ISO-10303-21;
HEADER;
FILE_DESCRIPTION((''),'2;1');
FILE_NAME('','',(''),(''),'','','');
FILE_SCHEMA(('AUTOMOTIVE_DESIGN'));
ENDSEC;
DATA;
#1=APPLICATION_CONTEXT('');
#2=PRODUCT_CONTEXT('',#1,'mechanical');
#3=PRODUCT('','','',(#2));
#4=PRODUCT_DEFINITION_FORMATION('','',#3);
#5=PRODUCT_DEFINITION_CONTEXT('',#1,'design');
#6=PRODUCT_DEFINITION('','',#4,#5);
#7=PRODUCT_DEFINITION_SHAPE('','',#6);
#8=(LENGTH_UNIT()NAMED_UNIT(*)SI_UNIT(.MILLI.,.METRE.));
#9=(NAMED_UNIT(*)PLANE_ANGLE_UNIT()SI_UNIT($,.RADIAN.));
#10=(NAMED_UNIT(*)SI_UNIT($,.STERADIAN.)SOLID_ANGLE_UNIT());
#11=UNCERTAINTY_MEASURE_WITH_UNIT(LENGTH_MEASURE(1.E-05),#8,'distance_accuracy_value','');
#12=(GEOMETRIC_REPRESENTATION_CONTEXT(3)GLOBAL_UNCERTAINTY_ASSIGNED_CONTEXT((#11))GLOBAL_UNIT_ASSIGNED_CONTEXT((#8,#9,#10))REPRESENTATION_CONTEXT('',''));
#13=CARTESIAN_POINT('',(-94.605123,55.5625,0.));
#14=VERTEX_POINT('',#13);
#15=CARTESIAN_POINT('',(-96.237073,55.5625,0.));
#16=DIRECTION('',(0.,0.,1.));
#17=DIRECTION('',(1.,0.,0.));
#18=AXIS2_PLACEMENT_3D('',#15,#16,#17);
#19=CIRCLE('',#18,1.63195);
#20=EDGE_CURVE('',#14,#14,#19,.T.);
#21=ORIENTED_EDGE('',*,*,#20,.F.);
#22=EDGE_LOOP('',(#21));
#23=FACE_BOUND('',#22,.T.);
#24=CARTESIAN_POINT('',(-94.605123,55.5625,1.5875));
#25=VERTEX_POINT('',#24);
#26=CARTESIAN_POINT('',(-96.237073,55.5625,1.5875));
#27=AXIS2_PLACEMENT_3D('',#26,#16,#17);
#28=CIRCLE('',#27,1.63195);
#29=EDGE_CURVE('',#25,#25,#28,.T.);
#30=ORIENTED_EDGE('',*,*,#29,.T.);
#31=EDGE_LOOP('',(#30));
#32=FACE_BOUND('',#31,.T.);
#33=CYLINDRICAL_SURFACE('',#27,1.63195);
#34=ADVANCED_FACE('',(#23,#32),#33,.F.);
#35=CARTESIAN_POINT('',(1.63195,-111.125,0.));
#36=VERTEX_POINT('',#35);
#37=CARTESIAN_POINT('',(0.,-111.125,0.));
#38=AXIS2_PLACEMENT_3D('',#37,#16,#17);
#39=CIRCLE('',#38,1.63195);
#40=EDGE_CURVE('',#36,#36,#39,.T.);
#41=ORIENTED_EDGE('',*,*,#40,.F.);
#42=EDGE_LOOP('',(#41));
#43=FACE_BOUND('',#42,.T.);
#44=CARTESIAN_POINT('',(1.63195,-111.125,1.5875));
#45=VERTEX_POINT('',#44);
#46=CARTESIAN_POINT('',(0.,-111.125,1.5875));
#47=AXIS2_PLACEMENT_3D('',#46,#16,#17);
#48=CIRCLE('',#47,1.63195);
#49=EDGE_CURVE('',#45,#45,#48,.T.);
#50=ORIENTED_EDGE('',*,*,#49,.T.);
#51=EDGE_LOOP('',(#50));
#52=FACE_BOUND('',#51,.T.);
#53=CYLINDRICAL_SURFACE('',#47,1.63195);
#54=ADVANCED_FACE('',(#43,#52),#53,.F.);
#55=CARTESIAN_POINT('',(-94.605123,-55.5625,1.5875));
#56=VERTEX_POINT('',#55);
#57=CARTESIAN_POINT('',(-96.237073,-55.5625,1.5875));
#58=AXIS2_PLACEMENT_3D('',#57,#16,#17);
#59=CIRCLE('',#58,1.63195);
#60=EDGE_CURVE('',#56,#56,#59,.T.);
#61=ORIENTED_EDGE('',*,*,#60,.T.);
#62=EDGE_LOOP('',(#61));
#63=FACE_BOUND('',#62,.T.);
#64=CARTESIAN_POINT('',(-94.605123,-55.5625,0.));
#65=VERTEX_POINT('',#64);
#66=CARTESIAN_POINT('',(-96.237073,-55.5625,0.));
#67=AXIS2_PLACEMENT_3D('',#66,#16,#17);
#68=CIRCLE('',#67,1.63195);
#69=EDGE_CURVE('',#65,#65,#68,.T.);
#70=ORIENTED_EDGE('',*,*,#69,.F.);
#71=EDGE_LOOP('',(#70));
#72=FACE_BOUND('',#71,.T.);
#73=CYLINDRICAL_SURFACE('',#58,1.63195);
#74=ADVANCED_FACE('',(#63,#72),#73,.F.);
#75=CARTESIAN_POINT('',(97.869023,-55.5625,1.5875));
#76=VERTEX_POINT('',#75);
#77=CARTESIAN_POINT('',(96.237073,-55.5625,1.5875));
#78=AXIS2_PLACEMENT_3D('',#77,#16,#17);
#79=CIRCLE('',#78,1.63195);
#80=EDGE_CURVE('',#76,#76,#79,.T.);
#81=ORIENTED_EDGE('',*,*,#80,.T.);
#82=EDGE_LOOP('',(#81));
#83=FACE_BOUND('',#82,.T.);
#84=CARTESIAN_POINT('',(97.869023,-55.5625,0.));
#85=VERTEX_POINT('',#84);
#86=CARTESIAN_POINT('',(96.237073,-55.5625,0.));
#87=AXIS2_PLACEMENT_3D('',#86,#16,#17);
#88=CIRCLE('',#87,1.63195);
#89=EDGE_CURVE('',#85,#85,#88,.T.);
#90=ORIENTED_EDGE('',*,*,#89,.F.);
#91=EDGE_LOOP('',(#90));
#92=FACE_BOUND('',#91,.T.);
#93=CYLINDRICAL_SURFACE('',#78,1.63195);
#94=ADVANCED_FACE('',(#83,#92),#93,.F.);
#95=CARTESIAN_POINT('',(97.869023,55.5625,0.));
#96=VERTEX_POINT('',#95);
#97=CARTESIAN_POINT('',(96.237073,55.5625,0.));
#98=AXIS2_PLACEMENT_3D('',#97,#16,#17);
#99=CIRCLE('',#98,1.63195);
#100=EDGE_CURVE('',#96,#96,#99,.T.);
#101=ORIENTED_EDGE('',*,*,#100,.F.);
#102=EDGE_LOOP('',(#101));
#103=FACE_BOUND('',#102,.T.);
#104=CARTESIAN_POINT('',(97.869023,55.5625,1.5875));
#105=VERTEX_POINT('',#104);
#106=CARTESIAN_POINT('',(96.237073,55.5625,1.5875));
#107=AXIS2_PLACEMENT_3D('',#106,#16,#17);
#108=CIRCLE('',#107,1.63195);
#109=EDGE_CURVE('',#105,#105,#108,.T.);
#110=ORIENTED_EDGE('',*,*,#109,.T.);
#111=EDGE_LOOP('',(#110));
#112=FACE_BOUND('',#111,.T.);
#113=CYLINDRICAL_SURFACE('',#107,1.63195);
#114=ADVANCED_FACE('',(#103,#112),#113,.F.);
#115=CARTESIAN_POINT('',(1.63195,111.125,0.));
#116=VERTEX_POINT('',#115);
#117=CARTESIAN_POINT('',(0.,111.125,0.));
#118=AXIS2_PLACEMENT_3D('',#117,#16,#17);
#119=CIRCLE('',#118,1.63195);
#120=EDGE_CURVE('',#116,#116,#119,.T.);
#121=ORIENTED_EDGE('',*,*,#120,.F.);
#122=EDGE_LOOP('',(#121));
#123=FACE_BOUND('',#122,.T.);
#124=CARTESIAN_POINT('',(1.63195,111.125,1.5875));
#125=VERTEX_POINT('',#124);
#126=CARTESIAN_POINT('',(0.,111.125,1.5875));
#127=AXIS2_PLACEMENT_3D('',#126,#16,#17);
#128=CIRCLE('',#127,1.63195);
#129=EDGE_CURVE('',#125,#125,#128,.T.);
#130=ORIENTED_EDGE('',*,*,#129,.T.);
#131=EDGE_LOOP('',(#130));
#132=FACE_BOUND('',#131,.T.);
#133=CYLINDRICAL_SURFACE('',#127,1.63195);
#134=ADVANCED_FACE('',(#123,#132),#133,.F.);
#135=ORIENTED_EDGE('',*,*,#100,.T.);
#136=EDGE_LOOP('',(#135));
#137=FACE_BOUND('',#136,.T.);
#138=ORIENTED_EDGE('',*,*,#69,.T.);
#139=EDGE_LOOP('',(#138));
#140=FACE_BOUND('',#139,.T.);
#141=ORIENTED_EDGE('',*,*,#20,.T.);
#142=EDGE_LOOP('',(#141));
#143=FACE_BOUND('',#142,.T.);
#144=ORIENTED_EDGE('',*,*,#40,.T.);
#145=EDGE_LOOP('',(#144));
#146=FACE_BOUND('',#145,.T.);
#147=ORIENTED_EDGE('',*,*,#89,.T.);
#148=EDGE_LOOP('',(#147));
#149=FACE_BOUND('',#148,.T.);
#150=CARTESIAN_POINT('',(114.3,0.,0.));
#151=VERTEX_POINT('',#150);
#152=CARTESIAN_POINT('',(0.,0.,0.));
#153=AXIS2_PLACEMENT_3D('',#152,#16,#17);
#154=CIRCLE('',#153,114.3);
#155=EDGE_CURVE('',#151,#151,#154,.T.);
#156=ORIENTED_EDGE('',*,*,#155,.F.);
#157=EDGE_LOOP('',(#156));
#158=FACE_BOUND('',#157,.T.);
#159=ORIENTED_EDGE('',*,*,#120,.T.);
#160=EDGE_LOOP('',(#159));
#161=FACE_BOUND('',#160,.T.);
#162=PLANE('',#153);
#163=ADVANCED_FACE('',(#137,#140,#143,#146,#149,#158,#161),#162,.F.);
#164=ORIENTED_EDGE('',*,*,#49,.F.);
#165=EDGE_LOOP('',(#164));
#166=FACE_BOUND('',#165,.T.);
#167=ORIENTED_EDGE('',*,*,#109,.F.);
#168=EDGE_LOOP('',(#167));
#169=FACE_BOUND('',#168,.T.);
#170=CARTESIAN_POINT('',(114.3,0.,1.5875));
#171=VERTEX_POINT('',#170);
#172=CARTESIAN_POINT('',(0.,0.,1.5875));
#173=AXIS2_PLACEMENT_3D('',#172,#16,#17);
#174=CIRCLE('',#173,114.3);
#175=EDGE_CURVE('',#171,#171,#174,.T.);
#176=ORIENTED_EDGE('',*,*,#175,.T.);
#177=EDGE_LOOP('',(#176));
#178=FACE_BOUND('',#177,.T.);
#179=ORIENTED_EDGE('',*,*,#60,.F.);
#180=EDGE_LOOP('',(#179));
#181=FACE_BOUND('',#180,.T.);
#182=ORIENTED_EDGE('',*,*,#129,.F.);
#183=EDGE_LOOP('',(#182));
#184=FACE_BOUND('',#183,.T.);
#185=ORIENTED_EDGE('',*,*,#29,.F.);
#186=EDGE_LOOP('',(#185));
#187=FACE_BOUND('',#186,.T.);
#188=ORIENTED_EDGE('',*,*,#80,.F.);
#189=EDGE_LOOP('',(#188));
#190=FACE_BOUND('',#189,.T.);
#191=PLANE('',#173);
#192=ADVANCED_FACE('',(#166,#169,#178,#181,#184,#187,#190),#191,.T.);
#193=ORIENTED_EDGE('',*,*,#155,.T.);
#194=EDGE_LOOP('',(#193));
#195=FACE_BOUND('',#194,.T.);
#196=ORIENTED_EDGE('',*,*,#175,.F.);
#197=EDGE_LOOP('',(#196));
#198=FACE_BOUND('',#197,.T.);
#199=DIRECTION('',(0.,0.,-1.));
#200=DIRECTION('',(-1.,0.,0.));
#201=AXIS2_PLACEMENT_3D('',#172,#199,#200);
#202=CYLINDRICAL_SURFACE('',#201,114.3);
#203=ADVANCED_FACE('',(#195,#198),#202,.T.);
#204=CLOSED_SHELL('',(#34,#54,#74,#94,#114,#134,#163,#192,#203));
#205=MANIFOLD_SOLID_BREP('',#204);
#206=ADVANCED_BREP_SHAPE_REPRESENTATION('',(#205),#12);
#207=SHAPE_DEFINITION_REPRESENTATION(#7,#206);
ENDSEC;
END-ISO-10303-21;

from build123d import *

# Parameters (mm, degrees)
SKETCH1_R             = 114.3
BOSS_EXTRUDE1_DEPTH   = 1.5875
F_4_CLEARANCE_HOLE1_D = 3.2639


with BuildPart() as part:
    # Sketch1 → Boss-Extrude1 (new body)
    with BuildSketch(Plane.XY):
        Circle(SKETCH1_R)
    extrude(amount=BOSS_EXTRUDE1_DEPTH)

    # #4 Clearance Hole1 (through all)
    with Locations(Plane(origin=(0, 111.125, 1.5875), x_dir=(1, 0, 0), z_dir=(0, 0, 1))):
        with Locations((0, 0), (96.237072996, -55.5625), (96.237072996, -166.6875), (0, -222.25), (-96.237072996, -166.6875), (-96.237072996, -55.5625)):
            Hole(F_4_CLEARANCE_HOLE1_D / 2)


solid = part.part
